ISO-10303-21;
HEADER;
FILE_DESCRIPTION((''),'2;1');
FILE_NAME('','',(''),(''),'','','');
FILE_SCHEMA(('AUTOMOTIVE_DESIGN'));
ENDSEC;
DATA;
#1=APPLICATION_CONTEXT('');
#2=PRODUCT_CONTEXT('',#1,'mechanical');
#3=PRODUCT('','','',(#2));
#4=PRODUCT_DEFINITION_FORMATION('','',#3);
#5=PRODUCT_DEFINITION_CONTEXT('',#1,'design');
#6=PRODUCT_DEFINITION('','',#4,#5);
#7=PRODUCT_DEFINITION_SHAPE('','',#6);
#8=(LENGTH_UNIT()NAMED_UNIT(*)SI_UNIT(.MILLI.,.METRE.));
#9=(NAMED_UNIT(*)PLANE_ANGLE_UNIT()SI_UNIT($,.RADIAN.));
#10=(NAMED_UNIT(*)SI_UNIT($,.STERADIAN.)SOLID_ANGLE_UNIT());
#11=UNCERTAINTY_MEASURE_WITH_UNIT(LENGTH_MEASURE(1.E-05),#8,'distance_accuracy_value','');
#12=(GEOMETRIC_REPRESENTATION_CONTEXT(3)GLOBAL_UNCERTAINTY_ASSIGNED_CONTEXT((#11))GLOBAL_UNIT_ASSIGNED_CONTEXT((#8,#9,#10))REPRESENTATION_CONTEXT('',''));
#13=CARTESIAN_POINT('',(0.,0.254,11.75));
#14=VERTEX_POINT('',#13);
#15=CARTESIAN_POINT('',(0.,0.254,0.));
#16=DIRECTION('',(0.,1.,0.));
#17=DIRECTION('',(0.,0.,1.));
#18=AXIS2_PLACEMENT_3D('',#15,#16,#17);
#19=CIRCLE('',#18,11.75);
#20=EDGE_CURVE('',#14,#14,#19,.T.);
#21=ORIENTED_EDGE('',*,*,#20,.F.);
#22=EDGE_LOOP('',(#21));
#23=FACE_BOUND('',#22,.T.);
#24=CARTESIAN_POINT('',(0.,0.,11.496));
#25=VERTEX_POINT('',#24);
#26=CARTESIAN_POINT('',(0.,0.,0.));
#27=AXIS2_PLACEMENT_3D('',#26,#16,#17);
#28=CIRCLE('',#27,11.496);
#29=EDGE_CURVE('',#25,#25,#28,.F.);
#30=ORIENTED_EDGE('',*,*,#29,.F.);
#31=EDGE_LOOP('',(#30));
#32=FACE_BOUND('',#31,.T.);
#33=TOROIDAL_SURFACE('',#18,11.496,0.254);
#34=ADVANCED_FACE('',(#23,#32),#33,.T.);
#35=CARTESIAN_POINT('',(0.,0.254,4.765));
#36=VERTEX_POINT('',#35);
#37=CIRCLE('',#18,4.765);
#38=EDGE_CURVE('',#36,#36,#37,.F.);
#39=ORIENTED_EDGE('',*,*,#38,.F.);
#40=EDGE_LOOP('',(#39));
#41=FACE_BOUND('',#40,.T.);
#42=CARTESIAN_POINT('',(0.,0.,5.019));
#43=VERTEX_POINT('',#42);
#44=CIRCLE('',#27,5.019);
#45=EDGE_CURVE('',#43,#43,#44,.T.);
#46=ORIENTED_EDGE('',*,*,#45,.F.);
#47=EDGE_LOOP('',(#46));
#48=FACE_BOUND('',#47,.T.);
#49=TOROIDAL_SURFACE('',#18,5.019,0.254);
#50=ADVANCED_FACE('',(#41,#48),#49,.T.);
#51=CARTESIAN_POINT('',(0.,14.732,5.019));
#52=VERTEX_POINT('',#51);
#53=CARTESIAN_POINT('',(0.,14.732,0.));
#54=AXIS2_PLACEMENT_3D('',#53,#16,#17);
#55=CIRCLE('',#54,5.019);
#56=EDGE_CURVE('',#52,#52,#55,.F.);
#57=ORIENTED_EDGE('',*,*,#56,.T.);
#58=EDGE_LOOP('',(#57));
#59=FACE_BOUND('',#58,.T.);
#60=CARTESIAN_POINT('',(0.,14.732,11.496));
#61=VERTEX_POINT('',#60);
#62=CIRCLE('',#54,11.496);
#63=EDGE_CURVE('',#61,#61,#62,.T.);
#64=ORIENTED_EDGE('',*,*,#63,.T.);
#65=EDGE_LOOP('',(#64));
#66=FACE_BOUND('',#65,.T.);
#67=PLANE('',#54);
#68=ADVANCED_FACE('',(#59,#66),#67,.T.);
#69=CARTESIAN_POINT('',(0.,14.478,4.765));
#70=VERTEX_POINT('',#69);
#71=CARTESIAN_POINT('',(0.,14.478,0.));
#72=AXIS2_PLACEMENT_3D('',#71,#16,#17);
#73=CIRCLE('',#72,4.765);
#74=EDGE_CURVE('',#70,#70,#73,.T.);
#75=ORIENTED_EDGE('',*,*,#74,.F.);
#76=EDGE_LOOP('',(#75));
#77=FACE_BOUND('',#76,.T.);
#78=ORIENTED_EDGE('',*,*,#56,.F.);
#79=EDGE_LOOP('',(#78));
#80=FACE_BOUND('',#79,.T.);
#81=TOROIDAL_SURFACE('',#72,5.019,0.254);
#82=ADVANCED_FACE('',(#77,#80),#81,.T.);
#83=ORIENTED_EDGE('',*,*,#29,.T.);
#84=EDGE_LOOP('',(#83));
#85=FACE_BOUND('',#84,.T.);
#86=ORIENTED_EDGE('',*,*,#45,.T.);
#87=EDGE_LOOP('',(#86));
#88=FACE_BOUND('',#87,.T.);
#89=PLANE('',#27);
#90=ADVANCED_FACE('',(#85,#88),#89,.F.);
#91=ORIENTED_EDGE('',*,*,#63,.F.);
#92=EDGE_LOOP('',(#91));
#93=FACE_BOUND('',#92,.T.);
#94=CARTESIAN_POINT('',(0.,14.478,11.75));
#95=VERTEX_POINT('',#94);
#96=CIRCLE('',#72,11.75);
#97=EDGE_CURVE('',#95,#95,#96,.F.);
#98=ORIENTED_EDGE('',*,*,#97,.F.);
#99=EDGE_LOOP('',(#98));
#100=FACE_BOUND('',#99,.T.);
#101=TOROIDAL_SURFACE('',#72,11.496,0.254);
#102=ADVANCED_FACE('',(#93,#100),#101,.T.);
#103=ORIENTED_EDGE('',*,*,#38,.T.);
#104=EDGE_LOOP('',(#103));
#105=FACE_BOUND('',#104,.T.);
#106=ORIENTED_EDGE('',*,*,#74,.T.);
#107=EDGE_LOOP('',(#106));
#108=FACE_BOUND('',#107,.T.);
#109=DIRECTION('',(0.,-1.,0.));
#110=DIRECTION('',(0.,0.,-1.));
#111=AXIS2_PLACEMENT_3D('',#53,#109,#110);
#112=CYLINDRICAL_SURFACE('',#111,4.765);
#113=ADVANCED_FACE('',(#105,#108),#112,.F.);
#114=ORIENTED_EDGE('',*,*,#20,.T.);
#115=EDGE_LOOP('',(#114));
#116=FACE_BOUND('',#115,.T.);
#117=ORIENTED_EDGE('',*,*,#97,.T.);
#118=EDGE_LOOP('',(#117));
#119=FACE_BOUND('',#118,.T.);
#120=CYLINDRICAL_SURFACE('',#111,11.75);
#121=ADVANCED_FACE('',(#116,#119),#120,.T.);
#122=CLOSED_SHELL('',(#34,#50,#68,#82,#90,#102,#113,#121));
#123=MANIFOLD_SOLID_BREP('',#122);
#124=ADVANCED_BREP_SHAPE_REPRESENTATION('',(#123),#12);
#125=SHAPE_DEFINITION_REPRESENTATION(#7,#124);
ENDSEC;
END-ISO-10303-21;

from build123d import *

# Parameters (mm, degrees)
SKETCH1_R           = 11.75
SKETCH1_R_2         = 4.765
BOSS_EXTRUDE1_DEPTH = 14.732
FILLET1_R           = 0.254


with BuildPart() as part:
    # Sketch1 → Boss-Extrude1 (new body)
    with BuildSketch(Plane(origin=(0, 0, 0), x_dir=(1, 0, 0), z_dir=(0, 1, 0))):
        with Locations(Location((0, 0, 0), (0, 0, 270))):
            Circle(SKETCH1_R)
        with Locations(Location((0, 0, 0), (0, 0, 270))):
            Circle(SKETCH1_R_2, mode=Mode.SUBTRACT)
    extrude(amount=BOSS_EXTRUDE1_DEPTH)

    # Fillet1
    fillet1_edges = [part.edges().sort_by_distance(p)[0] for p in [
        (0, 0, -11.75),
        (0, 14.732, -11.75),
        (0, 0, -4.765),
        (0, 14.732, -4.765),
    ]]
    fillet(fillet1_edges, radius=FILLET1_R)


solid = part.part
